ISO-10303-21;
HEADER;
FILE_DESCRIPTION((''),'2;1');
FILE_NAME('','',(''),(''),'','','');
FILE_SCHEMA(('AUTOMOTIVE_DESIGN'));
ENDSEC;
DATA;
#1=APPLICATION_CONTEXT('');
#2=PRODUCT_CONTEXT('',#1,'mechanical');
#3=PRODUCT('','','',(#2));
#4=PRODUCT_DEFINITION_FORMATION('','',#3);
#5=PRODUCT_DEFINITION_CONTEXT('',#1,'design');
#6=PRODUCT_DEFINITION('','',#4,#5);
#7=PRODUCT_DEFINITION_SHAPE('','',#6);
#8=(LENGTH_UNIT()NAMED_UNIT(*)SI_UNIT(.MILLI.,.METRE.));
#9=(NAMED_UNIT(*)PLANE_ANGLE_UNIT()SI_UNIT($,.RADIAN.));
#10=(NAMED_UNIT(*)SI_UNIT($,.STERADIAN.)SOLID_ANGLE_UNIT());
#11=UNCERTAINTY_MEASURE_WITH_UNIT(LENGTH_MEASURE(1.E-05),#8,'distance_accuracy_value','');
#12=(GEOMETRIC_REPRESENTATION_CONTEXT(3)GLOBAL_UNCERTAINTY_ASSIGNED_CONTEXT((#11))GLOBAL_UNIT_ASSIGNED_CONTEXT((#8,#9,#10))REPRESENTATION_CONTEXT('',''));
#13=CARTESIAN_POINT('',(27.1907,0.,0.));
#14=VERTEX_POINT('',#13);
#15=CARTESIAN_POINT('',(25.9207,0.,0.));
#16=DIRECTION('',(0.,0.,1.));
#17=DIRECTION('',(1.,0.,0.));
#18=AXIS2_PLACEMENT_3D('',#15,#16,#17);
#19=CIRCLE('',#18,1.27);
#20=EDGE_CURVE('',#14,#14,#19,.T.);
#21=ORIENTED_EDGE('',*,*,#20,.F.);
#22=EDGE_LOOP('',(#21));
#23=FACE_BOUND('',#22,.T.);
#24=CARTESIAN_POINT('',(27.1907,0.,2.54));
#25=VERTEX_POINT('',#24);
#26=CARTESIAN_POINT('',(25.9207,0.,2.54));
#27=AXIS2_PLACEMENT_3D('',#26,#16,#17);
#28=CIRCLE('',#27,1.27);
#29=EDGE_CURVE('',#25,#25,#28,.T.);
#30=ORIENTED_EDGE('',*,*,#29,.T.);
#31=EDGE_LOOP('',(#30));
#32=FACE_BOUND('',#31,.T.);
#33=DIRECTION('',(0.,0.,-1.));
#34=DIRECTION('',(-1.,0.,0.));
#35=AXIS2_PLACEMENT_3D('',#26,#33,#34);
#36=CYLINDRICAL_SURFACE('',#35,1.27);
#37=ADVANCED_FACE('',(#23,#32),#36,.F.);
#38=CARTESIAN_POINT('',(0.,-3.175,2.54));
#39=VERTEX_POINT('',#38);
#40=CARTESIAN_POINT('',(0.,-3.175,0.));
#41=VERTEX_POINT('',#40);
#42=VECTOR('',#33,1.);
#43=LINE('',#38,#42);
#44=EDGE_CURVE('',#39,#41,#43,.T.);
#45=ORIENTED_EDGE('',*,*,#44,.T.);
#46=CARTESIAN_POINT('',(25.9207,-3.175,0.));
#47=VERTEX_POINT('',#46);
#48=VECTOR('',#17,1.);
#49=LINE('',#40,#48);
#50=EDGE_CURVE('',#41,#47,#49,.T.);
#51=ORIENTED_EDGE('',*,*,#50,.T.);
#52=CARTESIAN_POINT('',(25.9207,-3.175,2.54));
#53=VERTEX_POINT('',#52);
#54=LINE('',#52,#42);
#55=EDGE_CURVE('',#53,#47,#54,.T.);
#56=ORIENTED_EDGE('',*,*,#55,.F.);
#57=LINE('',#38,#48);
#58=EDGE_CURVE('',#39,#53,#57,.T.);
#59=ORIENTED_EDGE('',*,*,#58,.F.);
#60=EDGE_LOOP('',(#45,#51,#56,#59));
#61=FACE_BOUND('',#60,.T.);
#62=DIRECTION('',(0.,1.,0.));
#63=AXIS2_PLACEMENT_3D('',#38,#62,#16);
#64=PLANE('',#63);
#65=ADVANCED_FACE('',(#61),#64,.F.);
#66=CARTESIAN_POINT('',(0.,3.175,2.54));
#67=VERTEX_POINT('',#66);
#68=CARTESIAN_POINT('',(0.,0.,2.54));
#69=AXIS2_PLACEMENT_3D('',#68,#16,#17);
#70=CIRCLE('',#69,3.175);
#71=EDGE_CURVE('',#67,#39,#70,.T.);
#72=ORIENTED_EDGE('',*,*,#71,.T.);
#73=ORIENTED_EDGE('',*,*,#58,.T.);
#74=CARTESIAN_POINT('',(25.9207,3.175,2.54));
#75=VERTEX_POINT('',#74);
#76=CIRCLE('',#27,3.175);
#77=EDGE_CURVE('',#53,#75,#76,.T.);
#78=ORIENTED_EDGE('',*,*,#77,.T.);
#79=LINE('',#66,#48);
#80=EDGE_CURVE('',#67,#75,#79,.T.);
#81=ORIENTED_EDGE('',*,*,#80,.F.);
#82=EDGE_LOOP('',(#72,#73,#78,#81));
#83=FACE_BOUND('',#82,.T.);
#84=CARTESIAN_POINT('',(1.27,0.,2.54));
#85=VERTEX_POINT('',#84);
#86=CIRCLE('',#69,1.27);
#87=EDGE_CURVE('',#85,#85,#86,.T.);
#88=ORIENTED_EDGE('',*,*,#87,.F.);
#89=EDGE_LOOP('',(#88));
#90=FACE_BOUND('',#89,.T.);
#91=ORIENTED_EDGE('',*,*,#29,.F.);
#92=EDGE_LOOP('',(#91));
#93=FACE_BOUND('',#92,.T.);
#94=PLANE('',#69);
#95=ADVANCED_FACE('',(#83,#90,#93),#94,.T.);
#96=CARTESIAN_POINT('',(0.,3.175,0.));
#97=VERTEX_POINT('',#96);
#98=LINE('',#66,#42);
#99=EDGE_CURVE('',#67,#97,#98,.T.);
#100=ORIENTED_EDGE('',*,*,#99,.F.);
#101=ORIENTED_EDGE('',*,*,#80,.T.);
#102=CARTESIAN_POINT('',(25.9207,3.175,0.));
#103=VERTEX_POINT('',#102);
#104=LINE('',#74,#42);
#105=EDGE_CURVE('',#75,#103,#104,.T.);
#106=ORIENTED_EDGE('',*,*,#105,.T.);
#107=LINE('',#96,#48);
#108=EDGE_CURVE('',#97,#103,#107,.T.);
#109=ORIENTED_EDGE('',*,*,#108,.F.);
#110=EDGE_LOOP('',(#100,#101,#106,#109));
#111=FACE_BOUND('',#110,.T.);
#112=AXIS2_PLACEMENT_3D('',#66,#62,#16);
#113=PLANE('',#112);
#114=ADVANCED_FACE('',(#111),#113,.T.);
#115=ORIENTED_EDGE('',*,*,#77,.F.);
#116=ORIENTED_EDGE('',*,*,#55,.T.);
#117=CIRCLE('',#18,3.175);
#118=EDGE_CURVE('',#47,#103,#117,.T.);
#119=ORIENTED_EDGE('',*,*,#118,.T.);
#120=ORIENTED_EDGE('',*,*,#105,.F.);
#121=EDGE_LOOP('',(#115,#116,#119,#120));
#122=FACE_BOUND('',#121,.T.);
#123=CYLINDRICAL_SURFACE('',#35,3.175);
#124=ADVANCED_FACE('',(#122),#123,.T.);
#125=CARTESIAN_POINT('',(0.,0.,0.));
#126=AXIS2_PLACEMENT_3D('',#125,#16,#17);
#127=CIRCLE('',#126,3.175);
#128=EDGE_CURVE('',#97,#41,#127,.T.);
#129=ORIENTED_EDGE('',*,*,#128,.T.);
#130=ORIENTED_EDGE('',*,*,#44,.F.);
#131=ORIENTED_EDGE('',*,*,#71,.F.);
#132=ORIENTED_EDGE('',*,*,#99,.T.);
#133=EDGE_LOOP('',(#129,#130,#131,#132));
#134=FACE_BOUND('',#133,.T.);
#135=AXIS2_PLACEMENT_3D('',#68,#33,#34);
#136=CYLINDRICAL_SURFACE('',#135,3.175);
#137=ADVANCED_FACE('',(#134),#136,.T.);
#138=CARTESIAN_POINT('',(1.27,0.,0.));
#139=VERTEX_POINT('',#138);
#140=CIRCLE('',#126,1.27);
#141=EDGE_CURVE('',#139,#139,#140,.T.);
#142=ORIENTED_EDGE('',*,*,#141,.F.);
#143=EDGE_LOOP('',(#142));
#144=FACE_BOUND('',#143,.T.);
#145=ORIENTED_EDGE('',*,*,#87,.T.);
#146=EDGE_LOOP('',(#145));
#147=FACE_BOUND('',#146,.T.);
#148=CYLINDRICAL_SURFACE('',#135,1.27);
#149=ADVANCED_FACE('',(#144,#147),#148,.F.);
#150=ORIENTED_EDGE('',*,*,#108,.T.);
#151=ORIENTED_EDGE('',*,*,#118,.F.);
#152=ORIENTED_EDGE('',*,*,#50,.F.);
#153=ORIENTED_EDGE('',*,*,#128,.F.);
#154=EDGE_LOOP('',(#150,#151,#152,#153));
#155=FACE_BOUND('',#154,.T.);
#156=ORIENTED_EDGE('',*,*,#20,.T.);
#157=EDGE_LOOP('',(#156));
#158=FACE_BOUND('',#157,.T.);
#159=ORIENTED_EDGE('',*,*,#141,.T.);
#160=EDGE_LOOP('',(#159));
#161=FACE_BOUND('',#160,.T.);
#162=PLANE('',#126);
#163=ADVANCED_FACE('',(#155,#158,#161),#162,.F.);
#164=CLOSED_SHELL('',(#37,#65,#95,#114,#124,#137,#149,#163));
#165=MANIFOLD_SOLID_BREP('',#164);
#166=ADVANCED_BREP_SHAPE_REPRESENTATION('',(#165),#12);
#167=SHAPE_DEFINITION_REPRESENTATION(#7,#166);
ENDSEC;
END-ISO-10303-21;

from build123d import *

# Parameters (mm, degrees)
SKETCH1_R           = 3.175
SKETCH1_R_2         = 1.27
BOSS_EXTRUDE2_DEPTH = 2.54


with BuildPart() as part:
    # Sketch1 → Boss-Extrude2 (new body)
    # profile 1 of 3: a face of its own
    with BuildSketch(Plane.XY):
        Circle(SKETCH1_R)
        Circle(SKETCH1_R_2, mode=Mode.SUBTRACT)
    # profile 2 of 3: a face of its own
    with BuildSketch(Plane.XY):
        with Locations((25.9207, 0)):
            Circle(SKETCH1_R)
        with Locations((25.9207, 0)):
            Circle(SKETCH1_R_2, mode=Mode.SUBTRACT)
    # profile 3 of 3: a face of its own
    with BuildSketch(Plane.XY):
        with BuildLine():
            Line((25.9207, 3.175), (0, 3.175))
            ThreePointArc((0, 3.175), (2.24506403, 2.24506403), (3.175, 0))
            ThreePointArc((3.175, 0), (2.24506403, -2.24506403), (0, -3.175))
            Line((0, -3.175), (25.9207, -3.175))
            ThreePointArc((25.9207, -3.175), (22.7457, 0), (25.9207, 3.175))
        make_face()
    extrude(amount=BOSS_EXTRUDE2_DEPTH)


solid = part.part
